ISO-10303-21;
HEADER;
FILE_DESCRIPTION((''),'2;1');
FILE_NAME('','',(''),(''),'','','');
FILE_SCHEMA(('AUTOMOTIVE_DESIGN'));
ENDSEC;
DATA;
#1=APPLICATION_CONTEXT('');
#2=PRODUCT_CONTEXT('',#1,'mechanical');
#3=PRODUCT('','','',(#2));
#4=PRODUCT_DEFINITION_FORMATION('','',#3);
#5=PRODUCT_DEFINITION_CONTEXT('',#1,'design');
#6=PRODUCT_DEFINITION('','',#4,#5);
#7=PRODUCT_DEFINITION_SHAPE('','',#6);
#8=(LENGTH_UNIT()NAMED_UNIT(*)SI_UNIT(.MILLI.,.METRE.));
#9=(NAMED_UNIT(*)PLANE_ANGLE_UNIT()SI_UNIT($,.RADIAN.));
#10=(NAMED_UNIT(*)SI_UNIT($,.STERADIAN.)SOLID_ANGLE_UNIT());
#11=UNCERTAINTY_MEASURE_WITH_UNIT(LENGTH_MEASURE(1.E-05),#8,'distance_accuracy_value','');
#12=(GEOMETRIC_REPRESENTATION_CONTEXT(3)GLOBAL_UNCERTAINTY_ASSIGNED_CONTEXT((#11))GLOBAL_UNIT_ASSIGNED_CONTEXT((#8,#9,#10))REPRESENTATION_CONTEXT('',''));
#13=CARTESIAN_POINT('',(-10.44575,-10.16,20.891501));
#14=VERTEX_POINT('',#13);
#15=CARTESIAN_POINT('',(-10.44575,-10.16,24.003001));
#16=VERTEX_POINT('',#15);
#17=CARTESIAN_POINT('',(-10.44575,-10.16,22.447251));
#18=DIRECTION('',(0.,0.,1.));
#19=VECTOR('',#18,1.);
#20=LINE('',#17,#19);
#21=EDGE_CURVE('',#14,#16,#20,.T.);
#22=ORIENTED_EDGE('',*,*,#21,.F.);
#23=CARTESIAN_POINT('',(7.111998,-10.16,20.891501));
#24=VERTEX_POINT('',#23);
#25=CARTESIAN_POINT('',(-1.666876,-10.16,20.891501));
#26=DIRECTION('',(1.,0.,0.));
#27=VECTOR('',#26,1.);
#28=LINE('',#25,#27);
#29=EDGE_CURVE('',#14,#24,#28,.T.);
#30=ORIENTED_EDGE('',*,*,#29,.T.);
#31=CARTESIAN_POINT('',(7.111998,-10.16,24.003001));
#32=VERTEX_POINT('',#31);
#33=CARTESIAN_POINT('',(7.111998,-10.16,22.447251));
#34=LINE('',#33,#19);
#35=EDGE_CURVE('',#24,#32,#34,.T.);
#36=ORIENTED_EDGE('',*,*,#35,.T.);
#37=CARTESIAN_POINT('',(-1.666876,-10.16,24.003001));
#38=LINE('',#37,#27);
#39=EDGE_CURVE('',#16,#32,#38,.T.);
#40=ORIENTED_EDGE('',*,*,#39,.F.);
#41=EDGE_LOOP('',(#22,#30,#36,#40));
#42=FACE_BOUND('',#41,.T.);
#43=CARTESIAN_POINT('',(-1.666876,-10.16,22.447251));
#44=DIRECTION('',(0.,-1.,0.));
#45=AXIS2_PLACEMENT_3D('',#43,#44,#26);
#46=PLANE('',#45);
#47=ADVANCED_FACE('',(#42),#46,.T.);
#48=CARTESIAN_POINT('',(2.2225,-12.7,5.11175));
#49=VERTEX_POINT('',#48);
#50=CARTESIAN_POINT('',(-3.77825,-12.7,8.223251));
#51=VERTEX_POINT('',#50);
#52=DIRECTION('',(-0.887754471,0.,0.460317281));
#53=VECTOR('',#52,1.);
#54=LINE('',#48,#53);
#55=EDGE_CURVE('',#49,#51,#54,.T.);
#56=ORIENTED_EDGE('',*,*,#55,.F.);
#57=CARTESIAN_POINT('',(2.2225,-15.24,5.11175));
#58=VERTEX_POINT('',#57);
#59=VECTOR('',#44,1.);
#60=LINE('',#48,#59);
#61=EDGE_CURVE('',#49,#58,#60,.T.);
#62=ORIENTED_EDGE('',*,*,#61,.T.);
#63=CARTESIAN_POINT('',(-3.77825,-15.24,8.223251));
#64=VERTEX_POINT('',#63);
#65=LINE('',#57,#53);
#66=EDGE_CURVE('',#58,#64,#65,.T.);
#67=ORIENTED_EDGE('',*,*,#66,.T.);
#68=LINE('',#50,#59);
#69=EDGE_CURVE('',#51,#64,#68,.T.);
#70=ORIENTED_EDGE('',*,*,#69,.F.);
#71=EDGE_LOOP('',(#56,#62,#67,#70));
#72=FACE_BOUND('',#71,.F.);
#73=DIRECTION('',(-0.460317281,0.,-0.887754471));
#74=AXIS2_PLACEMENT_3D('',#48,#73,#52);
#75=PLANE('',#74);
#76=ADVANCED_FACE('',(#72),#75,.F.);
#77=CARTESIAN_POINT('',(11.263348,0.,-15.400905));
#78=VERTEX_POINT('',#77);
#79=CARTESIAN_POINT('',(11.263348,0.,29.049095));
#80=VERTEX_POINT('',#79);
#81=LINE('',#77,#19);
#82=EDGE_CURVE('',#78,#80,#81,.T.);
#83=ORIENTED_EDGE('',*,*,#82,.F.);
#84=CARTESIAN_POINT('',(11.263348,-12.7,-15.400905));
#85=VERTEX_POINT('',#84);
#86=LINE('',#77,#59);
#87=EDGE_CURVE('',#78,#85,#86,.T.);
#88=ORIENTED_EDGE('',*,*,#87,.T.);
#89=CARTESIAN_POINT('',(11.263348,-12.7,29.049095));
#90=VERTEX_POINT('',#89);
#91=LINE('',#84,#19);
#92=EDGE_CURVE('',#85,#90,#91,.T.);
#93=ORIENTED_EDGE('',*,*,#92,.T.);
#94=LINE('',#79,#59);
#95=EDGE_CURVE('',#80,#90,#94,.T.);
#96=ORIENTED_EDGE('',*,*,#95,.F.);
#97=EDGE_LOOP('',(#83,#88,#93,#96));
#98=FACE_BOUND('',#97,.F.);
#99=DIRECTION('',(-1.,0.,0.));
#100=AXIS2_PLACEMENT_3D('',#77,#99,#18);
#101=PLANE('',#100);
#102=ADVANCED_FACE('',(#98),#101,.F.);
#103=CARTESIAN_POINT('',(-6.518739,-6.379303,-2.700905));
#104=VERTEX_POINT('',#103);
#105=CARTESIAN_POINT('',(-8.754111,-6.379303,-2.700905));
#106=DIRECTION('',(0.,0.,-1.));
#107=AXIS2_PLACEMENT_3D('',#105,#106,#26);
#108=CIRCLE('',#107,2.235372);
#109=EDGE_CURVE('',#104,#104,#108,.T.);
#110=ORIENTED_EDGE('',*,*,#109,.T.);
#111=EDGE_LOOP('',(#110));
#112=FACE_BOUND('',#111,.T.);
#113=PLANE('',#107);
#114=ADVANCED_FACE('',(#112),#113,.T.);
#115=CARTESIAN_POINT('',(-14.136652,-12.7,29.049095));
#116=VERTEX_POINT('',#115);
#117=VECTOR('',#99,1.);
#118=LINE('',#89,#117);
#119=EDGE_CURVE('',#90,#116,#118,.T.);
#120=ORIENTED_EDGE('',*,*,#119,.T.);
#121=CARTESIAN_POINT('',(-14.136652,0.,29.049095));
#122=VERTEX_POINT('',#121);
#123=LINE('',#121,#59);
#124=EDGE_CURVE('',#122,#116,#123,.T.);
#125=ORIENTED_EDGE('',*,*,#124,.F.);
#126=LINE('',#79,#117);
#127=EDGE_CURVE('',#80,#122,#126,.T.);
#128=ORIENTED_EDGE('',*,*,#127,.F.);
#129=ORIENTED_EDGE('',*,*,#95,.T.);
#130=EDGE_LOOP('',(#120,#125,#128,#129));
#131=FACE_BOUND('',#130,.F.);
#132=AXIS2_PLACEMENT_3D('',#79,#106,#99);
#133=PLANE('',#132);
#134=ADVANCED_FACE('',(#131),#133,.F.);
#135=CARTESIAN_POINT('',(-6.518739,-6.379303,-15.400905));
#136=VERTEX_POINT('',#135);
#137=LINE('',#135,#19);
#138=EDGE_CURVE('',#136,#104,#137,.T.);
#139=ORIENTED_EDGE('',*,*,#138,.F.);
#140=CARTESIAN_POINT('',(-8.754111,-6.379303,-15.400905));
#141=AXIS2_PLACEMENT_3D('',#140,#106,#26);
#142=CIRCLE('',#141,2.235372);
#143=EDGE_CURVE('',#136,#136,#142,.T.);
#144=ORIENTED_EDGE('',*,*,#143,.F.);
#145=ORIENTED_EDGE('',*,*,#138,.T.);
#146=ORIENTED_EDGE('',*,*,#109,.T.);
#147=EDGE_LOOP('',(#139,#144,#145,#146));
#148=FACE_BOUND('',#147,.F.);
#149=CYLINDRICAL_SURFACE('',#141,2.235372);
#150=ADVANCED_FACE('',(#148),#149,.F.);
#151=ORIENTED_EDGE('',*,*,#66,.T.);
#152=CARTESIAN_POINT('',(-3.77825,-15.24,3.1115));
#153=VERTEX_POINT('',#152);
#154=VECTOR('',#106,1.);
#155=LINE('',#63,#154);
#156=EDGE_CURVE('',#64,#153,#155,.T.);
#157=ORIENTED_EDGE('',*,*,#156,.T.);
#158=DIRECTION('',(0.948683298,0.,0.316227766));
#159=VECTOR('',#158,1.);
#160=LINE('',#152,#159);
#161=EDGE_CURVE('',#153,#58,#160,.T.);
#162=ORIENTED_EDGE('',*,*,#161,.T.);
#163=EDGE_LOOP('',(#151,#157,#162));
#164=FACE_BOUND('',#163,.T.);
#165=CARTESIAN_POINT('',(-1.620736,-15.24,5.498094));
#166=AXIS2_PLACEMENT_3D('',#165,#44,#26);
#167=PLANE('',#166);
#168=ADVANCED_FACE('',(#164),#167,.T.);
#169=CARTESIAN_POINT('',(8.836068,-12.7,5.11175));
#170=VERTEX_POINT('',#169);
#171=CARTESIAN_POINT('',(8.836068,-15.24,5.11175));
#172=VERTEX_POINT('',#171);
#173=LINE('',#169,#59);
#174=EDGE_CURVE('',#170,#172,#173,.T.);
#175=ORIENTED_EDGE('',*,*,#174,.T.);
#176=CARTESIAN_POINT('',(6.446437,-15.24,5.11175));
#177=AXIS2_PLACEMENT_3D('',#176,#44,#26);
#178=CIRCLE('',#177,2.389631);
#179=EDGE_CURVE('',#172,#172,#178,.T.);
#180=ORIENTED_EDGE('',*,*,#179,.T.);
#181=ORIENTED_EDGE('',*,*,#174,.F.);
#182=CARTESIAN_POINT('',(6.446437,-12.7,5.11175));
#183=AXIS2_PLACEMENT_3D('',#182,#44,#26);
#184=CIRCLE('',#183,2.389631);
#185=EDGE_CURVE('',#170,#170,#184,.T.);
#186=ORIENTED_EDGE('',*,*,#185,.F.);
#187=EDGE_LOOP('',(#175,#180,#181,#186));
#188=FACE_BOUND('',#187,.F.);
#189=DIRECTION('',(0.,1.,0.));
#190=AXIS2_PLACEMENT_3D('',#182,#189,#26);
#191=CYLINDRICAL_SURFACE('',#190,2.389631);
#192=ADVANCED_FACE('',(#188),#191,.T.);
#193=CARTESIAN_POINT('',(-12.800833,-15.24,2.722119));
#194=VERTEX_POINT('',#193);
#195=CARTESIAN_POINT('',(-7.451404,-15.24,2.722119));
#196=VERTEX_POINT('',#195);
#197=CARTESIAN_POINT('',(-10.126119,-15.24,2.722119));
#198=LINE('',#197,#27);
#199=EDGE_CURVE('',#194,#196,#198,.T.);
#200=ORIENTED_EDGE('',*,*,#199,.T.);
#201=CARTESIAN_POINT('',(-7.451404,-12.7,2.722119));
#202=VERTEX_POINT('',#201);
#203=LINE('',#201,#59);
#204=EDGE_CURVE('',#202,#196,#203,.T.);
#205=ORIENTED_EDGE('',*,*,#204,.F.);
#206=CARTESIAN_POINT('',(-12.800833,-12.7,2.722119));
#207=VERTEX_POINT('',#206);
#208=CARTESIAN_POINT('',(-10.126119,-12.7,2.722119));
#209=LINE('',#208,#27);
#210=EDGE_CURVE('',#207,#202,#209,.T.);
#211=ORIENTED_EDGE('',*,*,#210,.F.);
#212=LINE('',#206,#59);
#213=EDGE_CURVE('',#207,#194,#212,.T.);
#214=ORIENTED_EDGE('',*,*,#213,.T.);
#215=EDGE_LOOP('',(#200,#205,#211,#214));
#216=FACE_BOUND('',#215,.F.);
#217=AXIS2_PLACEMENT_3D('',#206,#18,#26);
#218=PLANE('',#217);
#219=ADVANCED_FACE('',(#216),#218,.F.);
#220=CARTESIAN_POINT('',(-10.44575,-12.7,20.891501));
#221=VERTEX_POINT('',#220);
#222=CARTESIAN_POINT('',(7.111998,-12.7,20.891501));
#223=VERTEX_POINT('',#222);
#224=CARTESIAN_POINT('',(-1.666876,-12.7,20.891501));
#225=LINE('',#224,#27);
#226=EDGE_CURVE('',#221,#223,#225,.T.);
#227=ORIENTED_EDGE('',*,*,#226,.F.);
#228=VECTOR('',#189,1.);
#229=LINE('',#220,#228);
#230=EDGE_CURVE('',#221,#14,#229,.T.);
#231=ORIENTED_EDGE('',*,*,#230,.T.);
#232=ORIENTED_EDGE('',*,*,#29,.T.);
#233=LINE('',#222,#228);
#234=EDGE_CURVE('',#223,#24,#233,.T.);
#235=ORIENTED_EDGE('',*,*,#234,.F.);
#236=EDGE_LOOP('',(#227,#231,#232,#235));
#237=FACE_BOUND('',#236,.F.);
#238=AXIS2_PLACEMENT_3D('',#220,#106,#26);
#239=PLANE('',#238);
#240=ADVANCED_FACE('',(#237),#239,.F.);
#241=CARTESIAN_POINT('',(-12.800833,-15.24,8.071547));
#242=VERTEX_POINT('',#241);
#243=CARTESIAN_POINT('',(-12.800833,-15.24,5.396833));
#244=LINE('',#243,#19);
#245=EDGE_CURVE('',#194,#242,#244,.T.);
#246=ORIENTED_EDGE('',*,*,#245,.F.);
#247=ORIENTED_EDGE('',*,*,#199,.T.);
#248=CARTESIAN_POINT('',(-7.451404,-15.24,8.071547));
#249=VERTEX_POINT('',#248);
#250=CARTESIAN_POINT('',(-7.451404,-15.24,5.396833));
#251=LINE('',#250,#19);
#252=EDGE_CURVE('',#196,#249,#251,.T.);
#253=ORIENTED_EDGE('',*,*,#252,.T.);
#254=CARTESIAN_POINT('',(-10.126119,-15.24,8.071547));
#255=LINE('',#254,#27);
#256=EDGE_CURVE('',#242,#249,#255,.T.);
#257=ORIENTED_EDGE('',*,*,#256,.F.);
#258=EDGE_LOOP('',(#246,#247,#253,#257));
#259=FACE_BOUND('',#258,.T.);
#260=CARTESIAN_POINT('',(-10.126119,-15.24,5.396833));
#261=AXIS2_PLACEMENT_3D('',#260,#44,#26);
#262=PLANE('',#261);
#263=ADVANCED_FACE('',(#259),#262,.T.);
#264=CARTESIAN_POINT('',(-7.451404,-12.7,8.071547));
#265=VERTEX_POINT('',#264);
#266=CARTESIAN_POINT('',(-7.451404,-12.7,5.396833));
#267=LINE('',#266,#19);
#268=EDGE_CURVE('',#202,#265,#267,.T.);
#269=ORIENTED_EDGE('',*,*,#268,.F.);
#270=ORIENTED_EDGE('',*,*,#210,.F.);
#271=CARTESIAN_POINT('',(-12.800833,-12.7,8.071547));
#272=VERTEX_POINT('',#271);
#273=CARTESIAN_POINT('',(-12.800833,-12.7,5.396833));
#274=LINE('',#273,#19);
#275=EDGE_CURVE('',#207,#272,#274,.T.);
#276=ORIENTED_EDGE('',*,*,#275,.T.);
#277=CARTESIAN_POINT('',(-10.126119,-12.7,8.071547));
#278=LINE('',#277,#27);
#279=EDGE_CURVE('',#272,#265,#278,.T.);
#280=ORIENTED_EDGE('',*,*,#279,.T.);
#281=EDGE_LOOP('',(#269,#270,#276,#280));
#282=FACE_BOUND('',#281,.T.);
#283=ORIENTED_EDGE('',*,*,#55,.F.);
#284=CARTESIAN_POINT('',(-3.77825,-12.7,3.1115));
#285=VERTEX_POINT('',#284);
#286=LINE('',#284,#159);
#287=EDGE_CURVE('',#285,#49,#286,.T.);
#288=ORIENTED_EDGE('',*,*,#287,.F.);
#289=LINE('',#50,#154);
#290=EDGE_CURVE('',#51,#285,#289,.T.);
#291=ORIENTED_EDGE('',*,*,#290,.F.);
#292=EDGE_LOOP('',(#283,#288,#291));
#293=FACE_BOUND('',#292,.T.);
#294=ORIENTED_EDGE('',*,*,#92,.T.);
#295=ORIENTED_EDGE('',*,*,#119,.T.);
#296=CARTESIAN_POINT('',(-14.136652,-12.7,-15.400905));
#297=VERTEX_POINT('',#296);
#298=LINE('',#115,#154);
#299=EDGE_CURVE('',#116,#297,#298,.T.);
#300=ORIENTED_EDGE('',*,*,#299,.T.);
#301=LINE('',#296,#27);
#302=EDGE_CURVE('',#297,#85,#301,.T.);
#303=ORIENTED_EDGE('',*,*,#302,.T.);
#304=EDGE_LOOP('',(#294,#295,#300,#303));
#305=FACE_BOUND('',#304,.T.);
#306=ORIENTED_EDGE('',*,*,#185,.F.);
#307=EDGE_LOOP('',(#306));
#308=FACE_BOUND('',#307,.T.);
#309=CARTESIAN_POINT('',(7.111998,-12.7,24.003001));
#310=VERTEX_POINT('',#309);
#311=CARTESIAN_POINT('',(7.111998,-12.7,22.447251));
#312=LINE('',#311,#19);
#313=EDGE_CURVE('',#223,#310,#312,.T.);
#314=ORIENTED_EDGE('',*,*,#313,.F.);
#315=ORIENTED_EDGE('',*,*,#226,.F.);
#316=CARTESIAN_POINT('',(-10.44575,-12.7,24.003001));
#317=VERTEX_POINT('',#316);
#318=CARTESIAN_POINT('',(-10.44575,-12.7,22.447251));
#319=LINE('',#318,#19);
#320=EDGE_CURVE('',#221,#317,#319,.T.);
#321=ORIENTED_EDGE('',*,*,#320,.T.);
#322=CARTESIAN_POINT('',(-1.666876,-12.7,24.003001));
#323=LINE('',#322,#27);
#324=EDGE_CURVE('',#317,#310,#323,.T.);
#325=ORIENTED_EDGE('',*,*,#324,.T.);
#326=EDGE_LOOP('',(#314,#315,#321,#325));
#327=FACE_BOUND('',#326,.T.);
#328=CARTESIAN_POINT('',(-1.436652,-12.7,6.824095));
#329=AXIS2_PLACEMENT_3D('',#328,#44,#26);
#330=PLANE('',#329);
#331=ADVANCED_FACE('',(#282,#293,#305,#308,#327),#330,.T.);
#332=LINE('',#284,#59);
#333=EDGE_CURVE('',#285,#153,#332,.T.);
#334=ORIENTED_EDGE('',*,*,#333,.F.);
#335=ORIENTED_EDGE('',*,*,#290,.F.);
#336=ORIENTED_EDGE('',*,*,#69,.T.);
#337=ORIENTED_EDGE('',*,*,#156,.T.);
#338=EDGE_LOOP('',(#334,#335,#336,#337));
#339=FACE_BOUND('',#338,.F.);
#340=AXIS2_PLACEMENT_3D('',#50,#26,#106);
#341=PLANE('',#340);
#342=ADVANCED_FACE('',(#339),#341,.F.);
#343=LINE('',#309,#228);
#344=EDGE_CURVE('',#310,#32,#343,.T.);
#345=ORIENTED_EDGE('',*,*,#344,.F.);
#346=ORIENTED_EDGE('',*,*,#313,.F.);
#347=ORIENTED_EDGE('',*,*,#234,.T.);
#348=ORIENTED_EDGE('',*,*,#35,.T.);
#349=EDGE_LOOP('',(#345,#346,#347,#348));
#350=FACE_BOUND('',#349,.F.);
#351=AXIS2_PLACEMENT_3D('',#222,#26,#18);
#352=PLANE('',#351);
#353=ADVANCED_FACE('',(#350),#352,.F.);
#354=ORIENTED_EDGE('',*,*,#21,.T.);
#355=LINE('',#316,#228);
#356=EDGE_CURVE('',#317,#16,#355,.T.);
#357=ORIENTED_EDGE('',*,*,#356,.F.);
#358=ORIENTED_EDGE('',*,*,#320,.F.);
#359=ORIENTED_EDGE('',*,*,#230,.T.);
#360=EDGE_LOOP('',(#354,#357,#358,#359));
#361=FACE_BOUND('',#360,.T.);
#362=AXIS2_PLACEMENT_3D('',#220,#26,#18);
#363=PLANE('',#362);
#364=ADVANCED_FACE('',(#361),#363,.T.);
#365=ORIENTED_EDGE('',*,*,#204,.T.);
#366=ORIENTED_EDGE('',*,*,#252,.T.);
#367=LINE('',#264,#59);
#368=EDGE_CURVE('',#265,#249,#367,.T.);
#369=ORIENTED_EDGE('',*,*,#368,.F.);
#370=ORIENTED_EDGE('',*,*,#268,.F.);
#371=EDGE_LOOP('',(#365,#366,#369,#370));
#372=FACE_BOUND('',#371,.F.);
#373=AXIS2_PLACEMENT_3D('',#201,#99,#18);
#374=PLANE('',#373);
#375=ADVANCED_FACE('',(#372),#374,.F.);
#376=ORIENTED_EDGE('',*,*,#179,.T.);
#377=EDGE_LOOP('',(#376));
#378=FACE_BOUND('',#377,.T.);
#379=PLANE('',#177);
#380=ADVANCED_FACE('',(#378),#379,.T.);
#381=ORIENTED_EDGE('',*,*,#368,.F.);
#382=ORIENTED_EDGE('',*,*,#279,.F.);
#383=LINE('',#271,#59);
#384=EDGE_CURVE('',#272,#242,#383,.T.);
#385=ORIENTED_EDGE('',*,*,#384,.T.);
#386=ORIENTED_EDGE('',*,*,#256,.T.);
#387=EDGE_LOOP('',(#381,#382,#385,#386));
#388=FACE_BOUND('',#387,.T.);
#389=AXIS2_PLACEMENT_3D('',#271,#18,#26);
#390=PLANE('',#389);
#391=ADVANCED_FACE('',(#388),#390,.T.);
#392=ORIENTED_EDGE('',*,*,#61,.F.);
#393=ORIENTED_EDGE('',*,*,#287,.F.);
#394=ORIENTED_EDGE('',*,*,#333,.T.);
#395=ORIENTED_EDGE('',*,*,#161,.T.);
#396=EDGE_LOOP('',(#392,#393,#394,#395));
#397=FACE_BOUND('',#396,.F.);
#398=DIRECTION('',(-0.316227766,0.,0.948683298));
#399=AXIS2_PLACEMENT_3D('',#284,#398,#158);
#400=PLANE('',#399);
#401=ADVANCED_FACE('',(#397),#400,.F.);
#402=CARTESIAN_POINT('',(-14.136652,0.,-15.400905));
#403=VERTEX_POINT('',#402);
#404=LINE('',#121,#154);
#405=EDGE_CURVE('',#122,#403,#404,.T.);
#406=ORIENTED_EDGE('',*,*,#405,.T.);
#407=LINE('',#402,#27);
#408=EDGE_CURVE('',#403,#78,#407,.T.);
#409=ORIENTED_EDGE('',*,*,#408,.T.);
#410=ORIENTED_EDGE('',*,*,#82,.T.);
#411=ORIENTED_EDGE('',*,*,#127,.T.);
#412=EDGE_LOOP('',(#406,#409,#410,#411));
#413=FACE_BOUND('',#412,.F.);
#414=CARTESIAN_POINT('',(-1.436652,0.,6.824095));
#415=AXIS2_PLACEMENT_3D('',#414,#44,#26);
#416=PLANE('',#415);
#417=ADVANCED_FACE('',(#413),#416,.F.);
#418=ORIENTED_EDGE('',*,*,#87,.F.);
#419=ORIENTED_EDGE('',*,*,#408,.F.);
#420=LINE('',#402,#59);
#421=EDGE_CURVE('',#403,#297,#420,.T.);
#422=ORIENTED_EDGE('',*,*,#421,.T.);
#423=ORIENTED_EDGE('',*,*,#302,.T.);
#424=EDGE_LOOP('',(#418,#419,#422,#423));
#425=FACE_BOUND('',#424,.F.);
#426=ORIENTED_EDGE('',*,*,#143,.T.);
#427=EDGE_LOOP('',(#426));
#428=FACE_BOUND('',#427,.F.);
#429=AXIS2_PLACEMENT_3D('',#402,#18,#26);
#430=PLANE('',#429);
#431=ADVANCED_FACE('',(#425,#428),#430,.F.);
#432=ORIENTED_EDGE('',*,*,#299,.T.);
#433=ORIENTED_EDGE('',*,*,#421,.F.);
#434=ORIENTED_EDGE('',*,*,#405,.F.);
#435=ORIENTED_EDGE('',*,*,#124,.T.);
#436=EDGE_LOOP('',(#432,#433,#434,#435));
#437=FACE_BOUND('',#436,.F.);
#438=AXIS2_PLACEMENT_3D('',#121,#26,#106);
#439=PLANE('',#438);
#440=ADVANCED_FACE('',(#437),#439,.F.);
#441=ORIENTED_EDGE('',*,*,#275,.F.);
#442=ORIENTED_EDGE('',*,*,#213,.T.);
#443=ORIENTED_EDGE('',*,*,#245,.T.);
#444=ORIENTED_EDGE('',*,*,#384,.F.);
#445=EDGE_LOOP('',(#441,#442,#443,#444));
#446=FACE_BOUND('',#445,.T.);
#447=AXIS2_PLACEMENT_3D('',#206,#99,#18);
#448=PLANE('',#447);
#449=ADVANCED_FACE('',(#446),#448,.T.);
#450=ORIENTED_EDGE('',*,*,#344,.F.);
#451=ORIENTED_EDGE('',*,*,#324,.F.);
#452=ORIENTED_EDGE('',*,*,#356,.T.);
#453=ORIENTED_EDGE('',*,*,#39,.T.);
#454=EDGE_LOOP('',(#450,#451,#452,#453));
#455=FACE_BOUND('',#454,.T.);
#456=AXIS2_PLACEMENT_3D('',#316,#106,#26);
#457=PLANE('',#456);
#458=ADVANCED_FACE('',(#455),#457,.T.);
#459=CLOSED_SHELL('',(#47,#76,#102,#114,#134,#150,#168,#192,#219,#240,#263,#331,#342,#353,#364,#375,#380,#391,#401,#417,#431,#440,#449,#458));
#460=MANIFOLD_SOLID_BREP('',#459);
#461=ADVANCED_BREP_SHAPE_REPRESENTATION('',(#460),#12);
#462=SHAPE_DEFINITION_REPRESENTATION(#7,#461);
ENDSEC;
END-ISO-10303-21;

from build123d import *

# Parameters (mm, degrees)
F1_DEPTH  = 12.7
F2_W      = 17.557748
F2_H      = 3.1115
F3_DEPTH  = 2.54
F5_DEPTH  = 2.54
F6_W      = 5.349429
F6_H      = 5.349428
F7_DEPTH  = 2.54
F8_R      = 2.389631
F9_DEPTH  = 2.54
F10_R     = 2.235372
F11_DEPTH = 12.7


with BuildPart() as f1:
    # F0 (on Front) → F1 (new body)
    with BuildSketch(Plane.XZ):
        Polygon((-14.136652, 29.049095), (-14.136652, 0), (-14.136652, -15.400905), (11.263348, -15.400905), (11.263348, 29.049095), align=None)
    extrude(amount=F1_DEPTH)

    # F2 (on face) → F3 (cut)
    with BuildSketch(Plane.XZ.offset(12.7)):
        with Locations((-1.666876, 22.447251)):
            Rectangle(F2_W, F2_H)
    extrude(amount=-F3_DEPTH, mode=Mode.SUBTRACT)

    # F4 (on face) → F5 (join)
    with BuildSketch(Plane.XZ.offset(12.7)):
        Polygon((2.2225, 5.11175), (-3.77825, 8.223251), (-3.77825, 3.1115), align=None)
    extrude(amount=F5_DEPTH)

    # F6 (on face) → F7 (join)
    with BuildSketch(Plane.XZ.offset(12.7)):
        with Locations((-10.126119, 5.396833)):
            Rectangle(F6_W, F6_H)
    extrude(amount=F7_DEPTH)

    # F8 (on face) → F9 (join)
    with BuildSketch(Plane.XZ.offset(12.7)):
        with Locations((6.446437, 5.11175)):
            Circle(F8_R)
    extrude(amount=F9_DEPTH)

    # F10 (on face) → F11 (cut)
    with BuildSketch(Plane(origin=(0, 0, -15.400905), x_dir=(1, 0, 0), z_dir=(0, 0, -1))):
        with Locations((-8.754111, 6.379303)):
            Circle(F10_R)
    extrude(amount=-F11_DEPTH, mode=Mode.SUBTRACT)


solid = f1.part
